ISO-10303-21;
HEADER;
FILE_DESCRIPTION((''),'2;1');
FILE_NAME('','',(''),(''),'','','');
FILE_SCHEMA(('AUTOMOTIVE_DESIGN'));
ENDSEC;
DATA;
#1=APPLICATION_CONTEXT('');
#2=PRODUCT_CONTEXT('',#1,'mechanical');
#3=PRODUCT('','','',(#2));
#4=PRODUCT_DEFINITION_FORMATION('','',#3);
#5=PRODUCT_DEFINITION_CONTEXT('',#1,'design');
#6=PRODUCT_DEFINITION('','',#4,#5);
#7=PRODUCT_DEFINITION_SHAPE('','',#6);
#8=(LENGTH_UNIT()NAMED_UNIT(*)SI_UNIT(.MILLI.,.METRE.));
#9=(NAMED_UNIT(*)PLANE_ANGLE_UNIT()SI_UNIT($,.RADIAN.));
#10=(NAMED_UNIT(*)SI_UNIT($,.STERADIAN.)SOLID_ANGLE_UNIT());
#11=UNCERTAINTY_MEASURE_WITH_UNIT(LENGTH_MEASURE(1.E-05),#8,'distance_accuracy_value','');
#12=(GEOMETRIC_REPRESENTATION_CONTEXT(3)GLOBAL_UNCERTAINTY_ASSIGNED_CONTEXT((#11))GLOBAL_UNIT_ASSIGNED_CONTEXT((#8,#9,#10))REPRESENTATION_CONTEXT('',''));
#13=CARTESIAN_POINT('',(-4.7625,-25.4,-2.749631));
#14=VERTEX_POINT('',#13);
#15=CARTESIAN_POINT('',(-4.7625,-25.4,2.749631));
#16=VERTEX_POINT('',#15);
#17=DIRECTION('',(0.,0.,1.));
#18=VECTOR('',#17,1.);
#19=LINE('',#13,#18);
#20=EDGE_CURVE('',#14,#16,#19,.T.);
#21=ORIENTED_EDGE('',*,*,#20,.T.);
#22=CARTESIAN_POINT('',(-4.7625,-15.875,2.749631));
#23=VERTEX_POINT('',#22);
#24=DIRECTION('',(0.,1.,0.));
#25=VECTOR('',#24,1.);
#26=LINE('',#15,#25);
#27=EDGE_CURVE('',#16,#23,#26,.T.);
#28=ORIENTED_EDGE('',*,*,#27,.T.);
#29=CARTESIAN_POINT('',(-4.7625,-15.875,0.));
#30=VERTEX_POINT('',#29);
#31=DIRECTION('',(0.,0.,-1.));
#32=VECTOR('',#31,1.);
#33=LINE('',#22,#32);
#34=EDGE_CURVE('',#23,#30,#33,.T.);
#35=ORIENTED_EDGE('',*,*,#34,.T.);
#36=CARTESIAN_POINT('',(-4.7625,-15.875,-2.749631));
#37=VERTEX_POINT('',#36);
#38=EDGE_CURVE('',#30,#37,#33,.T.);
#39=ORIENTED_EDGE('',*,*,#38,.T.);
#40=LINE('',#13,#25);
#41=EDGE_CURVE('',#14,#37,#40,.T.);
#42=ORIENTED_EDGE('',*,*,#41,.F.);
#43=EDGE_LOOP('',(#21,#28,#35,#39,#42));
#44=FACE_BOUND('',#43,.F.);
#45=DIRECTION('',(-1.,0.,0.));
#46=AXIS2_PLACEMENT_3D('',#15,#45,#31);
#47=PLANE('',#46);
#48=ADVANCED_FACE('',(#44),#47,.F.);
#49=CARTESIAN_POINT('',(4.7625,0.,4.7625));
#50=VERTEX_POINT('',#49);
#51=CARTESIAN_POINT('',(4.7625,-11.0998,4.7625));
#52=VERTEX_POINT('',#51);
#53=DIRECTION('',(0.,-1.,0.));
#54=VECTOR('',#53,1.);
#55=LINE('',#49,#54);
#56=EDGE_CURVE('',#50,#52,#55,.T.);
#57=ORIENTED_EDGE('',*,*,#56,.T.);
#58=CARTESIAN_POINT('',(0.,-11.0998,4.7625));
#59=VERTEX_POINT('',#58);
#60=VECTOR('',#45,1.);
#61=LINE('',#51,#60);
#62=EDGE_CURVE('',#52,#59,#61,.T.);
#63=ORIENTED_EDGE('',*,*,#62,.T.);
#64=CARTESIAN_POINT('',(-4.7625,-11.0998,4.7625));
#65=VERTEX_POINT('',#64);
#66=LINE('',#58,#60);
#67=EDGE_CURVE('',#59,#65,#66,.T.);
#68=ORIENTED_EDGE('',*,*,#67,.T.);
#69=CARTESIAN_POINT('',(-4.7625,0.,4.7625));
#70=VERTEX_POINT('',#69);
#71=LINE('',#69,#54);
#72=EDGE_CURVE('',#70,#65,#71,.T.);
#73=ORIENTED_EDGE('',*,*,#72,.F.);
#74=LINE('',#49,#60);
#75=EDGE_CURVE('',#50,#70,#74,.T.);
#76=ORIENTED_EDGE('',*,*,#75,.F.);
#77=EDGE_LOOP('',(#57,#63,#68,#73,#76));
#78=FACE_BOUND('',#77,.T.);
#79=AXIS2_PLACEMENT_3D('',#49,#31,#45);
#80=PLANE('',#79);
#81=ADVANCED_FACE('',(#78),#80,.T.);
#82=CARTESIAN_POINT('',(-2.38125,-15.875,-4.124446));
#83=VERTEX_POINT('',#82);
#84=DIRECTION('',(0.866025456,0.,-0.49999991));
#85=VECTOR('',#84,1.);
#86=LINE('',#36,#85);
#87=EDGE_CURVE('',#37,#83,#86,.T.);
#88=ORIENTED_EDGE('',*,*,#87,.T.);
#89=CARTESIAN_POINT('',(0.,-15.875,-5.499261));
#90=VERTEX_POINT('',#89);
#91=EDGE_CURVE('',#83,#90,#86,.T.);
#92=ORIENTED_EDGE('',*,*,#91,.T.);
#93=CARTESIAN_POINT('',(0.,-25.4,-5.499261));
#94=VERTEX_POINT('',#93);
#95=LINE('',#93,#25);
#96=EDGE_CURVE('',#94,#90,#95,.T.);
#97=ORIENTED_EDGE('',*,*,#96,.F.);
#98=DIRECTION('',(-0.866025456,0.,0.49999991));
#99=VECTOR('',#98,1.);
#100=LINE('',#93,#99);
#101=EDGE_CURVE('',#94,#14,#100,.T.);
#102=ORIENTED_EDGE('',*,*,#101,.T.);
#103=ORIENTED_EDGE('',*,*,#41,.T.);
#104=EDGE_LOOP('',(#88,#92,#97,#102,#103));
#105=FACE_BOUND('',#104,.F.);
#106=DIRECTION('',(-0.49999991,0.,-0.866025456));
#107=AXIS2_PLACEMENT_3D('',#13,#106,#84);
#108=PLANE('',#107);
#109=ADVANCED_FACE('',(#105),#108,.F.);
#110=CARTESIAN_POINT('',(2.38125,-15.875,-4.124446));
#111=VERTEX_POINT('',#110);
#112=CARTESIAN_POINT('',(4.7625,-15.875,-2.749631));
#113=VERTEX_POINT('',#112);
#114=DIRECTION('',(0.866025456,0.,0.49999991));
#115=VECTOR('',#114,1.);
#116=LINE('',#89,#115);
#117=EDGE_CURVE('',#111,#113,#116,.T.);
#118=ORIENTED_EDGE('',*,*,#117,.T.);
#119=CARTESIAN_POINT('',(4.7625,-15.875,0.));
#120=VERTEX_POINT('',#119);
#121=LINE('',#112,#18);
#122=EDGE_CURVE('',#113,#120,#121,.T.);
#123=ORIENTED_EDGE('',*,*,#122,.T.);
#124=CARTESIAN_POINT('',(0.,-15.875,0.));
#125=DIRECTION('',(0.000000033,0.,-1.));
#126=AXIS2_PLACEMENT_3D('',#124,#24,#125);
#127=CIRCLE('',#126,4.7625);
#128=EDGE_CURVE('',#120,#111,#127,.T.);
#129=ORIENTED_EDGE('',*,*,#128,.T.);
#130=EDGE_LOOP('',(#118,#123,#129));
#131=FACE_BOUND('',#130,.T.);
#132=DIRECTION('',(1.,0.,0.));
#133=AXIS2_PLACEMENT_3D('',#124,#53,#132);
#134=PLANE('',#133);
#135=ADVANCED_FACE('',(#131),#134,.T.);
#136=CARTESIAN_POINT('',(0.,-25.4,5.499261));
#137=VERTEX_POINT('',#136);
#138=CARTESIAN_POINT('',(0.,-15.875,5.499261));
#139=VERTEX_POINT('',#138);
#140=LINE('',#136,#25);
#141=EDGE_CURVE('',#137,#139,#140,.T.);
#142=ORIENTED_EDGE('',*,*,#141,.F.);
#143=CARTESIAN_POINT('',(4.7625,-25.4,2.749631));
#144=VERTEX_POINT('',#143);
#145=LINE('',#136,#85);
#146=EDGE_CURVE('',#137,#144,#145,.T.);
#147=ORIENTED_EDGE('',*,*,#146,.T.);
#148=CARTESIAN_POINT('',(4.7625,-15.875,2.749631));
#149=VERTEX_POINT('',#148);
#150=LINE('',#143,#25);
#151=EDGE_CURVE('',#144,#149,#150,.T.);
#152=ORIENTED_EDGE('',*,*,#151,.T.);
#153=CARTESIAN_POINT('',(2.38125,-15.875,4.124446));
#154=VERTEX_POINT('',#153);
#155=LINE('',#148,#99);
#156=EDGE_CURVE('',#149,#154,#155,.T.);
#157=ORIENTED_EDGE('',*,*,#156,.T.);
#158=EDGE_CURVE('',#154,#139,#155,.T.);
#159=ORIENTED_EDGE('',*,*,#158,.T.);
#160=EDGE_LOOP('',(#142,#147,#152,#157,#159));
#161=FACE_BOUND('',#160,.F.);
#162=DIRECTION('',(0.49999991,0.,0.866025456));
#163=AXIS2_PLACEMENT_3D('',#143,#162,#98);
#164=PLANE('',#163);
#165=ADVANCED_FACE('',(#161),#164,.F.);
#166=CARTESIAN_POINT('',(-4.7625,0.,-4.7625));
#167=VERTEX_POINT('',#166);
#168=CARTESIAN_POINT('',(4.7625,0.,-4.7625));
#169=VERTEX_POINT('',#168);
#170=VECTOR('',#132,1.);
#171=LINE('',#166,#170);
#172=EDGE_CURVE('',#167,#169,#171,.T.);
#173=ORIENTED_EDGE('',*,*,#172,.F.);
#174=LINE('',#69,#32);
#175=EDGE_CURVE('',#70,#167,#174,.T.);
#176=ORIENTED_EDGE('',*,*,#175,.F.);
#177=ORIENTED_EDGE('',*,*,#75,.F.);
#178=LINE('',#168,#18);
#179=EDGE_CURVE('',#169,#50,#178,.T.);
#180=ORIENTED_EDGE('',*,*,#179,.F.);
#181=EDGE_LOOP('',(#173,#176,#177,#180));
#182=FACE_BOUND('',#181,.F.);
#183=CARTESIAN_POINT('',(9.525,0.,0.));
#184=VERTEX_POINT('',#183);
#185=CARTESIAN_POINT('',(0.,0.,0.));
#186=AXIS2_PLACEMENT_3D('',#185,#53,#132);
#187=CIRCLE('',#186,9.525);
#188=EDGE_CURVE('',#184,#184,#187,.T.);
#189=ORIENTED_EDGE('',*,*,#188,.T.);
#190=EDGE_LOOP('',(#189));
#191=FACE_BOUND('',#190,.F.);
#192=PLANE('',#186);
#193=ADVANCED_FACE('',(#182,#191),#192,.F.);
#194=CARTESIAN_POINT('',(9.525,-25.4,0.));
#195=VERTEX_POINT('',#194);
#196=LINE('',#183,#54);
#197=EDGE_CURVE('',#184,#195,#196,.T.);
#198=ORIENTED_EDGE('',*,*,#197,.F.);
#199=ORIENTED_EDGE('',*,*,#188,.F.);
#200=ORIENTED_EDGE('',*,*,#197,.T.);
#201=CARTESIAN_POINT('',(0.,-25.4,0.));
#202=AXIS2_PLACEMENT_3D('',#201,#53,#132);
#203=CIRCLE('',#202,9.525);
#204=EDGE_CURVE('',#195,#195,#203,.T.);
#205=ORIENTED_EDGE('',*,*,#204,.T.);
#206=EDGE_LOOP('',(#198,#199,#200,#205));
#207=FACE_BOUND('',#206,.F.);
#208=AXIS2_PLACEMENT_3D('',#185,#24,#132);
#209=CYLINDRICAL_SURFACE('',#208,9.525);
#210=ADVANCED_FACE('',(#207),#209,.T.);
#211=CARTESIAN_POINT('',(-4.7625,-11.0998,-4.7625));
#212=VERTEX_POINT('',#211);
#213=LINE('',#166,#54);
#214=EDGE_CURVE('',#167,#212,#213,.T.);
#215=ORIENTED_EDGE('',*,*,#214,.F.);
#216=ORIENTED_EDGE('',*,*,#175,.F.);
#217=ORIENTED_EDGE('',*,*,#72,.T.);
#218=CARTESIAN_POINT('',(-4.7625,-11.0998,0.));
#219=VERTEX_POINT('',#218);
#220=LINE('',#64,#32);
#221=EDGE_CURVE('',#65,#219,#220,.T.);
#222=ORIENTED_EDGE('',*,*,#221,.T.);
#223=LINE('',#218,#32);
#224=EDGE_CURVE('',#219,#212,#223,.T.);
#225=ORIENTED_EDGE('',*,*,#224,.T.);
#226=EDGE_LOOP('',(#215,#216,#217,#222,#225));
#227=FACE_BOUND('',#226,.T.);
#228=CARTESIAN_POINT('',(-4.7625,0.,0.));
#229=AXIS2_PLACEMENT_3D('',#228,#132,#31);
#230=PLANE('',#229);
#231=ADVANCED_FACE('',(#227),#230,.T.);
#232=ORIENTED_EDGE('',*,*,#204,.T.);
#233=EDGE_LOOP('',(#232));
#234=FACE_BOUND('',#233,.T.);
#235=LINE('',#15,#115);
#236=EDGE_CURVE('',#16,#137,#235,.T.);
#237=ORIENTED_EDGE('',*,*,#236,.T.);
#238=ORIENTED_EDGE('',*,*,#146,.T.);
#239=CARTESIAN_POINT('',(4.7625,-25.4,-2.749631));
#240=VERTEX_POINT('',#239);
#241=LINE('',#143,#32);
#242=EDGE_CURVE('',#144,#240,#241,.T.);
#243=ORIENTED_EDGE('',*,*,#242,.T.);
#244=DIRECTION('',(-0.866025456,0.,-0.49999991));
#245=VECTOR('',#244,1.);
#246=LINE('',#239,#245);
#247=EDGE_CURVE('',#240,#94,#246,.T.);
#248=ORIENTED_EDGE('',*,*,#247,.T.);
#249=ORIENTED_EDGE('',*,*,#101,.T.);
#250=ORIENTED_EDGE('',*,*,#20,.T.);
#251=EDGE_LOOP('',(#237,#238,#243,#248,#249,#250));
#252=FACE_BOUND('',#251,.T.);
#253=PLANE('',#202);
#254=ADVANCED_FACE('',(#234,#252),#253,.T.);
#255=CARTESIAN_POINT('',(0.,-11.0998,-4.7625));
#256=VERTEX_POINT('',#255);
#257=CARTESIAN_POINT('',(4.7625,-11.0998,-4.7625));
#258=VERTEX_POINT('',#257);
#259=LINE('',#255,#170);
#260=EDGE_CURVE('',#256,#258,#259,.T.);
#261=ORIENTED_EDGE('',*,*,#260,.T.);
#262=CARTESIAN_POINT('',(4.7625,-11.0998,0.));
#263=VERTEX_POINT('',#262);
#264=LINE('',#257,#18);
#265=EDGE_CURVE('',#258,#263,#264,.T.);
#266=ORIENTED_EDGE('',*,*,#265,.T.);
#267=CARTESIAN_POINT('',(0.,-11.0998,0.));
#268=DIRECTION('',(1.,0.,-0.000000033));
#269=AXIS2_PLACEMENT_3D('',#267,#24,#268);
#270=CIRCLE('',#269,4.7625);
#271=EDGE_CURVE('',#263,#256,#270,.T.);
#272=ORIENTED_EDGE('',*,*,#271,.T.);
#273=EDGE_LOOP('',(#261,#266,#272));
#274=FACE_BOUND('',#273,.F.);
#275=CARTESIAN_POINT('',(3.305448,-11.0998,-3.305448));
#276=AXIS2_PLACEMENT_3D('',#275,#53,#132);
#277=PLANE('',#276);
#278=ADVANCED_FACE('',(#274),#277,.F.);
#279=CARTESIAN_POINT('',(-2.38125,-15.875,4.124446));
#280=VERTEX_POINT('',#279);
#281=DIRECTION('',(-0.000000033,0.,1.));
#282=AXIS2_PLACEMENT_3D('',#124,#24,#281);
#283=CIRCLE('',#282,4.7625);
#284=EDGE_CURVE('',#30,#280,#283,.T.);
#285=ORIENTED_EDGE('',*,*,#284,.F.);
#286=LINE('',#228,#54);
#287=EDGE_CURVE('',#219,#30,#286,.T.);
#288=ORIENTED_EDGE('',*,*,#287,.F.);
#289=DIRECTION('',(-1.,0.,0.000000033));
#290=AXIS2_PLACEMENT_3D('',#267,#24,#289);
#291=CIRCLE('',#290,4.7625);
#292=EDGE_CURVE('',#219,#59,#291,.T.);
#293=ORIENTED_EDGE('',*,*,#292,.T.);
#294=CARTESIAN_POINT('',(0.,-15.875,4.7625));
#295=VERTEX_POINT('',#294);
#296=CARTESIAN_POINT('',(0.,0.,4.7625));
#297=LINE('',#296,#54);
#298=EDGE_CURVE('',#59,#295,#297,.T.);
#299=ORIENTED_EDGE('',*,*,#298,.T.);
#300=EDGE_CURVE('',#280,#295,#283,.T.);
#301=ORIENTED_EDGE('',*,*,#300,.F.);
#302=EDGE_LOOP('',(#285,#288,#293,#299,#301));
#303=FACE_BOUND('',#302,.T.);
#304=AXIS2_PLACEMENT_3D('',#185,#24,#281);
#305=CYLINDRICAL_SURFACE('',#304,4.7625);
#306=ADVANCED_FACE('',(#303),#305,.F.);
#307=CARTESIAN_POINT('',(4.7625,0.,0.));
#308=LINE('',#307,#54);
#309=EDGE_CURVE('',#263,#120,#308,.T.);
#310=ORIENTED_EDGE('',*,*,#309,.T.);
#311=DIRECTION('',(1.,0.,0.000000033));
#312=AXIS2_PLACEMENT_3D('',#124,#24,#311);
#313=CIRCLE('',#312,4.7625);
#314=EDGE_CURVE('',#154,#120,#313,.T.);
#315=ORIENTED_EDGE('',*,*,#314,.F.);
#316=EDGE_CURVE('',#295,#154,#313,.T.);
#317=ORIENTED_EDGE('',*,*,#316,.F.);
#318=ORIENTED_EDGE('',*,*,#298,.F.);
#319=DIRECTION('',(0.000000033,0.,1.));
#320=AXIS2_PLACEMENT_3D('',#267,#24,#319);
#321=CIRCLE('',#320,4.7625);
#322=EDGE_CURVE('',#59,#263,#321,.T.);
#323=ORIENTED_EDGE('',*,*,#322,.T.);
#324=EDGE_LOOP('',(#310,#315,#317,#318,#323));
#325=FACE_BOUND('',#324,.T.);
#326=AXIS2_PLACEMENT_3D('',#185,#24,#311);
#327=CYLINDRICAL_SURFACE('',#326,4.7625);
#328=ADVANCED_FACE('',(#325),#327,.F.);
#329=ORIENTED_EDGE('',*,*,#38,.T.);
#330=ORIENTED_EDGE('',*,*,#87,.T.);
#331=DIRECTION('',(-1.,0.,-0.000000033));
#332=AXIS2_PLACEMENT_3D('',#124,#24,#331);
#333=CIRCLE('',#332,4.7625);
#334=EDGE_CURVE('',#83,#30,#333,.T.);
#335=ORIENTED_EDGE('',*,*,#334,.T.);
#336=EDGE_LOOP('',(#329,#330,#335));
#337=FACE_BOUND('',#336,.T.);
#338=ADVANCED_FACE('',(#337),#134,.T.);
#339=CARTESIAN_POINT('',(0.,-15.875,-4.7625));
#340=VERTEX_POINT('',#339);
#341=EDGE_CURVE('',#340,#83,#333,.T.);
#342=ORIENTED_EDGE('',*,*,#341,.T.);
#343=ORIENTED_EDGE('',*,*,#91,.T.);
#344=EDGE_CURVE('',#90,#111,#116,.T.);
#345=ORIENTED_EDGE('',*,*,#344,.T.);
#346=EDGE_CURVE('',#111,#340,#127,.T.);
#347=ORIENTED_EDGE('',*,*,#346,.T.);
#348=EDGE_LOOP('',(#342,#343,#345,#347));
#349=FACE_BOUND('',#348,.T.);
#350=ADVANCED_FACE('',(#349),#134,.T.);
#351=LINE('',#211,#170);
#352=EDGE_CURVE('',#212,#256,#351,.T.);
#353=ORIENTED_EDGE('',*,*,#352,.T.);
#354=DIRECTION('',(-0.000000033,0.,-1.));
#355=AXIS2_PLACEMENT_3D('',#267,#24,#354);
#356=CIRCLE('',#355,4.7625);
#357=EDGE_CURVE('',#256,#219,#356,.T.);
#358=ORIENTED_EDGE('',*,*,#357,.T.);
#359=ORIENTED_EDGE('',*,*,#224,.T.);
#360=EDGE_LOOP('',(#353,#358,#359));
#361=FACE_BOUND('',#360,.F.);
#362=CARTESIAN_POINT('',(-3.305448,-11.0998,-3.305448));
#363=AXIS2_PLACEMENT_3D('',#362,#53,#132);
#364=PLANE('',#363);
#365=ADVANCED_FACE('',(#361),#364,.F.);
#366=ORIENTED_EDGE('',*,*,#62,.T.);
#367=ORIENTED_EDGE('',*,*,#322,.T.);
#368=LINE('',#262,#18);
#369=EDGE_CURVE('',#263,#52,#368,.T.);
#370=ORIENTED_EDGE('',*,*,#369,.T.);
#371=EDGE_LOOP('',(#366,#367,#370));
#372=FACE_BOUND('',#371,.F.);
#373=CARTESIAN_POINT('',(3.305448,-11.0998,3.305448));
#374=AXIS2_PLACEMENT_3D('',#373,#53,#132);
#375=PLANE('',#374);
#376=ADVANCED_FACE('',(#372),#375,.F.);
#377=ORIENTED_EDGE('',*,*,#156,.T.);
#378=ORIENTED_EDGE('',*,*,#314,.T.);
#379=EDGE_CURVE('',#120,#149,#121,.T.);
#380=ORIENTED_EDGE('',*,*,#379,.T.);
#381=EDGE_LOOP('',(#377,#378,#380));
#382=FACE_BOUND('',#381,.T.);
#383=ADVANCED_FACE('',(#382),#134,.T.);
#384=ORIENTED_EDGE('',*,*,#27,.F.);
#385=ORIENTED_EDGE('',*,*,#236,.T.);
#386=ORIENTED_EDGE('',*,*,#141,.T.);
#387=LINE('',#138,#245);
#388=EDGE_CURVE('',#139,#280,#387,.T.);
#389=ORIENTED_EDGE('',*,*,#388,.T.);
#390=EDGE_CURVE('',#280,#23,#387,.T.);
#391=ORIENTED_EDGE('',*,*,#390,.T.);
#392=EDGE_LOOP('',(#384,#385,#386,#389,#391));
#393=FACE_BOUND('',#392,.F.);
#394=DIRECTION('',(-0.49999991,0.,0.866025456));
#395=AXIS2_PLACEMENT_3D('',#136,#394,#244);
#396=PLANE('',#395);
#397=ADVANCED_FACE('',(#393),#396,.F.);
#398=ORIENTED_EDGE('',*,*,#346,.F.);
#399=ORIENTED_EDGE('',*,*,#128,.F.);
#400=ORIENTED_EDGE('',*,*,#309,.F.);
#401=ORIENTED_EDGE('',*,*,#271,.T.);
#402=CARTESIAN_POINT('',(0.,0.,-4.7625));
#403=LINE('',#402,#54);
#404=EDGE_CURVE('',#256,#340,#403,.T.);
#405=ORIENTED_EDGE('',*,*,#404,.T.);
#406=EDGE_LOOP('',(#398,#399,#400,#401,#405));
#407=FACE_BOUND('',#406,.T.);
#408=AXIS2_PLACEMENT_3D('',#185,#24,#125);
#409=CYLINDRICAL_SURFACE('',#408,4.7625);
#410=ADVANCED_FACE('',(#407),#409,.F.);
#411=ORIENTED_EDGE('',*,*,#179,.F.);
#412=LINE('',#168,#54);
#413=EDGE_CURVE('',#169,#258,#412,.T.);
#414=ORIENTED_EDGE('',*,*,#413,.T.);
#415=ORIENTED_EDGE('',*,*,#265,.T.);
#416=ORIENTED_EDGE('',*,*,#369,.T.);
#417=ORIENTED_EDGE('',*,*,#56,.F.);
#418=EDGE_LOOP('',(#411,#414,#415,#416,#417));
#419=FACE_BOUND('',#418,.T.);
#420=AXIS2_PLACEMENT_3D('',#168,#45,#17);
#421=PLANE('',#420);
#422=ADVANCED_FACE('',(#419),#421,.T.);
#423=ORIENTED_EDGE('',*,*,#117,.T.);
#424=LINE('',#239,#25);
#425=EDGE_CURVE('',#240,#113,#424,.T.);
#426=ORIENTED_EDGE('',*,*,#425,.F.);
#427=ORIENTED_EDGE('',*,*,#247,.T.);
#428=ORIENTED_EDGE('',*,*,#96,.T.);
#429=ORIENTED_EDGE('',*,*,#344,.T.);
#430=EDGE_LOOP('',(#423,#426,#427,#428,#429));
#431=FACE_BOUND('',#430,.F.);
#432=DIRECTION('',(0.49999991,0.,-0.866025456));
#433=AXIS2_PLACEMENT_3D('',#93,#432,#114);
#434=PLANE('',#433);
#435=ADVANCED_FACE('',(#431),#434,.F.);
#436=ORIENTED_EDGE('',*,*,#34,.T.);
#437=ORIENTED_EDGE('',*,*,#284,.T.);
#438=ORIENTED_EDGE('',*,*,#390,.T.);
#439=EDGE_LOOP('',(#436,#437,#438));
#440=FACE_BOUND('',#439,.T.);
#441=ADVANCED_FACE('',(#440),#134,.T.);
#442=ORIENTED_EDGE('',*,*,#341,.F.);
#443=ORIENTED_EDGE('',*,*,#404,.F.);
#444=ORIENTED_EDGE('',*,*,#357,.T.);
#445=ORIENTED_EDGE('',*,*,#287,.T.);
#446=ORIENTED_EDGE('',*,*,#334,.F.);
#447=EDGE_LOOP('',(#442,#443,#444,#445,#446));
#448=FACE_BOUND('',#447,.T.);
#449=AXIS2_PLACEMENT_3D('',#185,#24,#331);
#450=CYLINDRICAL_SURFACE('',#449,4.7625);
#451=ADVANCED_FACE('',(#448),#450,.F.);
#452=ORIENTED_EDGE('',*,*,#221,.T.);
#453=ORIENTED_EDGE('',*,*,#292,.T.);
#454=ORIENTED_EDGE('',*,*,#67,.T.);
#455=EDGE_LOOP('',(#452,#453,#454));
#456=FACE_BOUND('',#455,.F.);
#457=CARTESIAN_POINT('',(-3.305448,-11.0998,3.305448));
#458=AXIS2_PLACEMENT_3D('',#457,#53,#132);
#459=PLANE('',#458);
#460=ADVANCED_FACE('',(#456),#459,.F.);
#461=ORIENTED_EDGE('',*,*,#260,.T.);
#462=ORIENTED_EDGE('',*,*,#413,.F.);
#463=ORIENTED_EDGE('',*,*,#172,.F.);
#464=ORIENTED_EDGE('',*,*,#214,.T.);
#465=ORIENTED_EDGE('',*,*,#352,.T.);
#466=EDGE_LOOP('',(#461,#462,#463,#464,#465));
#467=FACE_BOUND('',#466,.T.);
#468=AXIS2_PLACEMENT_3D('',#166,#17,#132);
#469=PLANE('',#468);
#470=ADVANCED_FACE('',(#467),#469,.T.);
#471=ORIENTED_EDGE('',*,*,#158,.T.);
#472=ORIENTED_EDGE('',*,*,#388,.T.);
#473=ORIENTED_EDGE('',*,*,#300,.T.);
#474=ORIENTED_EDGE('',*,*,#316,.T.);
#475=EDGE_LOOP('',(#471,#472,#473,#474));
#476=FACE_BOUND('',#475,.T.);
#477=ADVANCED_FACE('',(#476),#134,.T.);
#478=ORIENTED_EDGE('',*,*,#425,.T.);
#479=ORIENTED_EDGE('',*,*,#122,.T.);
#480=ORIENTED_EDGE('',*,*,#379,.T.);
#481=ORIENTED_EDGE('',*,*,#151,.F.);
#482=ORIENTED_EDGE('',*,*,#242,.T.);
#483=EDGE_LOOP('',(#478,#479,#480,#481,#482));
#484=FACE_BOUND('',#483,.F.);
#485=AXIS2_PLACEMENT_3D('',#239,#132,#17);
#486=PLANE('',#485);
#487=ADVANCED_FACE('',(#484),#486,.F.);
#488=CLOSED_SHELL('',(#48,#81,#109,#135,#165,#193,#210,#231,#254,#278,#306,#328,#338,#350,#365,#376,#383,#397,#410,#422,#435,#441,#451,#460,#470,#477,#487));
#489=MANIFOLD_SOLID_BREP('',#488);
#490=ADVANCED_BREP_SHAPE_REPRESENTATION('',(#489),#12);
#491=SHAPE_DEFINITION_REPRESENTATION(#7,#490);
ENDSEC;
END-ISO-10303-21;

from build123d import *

# Parameters (mm, degrees)
F0_R     = 9.525
F1_DEPTH = 25.4
F3_DEPTH = 25.401
F4_DEPTH = 11.0998
F6_DEPTH = 9.525


with BuildPart() as f1:
    # F0 (on Front) → F1 (new body)
    with BuildSketch(Plane.XZ):
        Circle(F0_R)
    extrude(amount=F1_DEPTH)

    # F2 (on Front) → F3 (cut, through all)
    with BuildSketch(Plane.XZ):
        with BuildLine():
            ThreePointArc((-4.7625, 0), (-3.367596, -3.367596), (0, -4.7625))
            ThreePointArc((0, -4.7625), (3.367596, -3.367596), (4.7625, 0))
            ThreePointArc((4.7625, 0), (3.367596, 3.367596), (0, 4.7625))
            ThreePointArc((0, 4.7625), (-3.367596, 3.367596), (-4.7625, 0))
        make_face()
    extrude(amount=F3_DEPTH, mode=Mode.SUBTRACT)

    # F2 (on Front) → F4 (cut)
    with BuildSketch(Plane.XZ):
        with BuildLine():
            Line((0, -4.7625), (4.7625, -4.7625))
            Line((4.7625, -4.7625), (4.7625, 0))
            ThreePointArc((4.7625, 0), (3.367596, -3.367596), (0, -4.7625))
        make_face()
        with BuildLine():
            Line((-4.7625, -4.7625), (0, -4.7625))
            ThreePointArc((0, -4.7625), (-3.367596, -3.367596), (-4.7625, 0))
            Line((-4.7625, 0), (-4.7625, -4.7625))
        make_face()
        with BuildLine():
            ThreePointArc((0, 4.7625), (3.367596, 3.367596), (4.7625, 0))
            Line((4.7625, 0), (4.7625, 4.7625))
            Line((4.7625, 4.7625), (0, 4.7625))
        make_face()
        with BuildLine():
            Line((-4.7625, 4.7625), (-4.7625, 0))
            ThreePointArc((-4.7625, 0), (-3.367596, 3.367596), (0, 4.7625))
            Line((0, 4.7625), (-4.7625, 4.7625))
        make_face()
    extrude(amount=F4_DEPTH, mode=Mode.SUBTRACT)

    # F5 (on face) → F6 (cut)
    with BuildSketch(Plane.XZ.offset(25.4)):
        Polygon((4.7625, -2.749631), (4.7625, 2.749631), (0, 5.499261), (-4.7625, 2.749631), (-4.7625, -2.749631), (0, -5.499261), align=None)
    extrude(amount=-F6_DEPTH, mode=Mode.SUBTRACT)


solid = f1.part
